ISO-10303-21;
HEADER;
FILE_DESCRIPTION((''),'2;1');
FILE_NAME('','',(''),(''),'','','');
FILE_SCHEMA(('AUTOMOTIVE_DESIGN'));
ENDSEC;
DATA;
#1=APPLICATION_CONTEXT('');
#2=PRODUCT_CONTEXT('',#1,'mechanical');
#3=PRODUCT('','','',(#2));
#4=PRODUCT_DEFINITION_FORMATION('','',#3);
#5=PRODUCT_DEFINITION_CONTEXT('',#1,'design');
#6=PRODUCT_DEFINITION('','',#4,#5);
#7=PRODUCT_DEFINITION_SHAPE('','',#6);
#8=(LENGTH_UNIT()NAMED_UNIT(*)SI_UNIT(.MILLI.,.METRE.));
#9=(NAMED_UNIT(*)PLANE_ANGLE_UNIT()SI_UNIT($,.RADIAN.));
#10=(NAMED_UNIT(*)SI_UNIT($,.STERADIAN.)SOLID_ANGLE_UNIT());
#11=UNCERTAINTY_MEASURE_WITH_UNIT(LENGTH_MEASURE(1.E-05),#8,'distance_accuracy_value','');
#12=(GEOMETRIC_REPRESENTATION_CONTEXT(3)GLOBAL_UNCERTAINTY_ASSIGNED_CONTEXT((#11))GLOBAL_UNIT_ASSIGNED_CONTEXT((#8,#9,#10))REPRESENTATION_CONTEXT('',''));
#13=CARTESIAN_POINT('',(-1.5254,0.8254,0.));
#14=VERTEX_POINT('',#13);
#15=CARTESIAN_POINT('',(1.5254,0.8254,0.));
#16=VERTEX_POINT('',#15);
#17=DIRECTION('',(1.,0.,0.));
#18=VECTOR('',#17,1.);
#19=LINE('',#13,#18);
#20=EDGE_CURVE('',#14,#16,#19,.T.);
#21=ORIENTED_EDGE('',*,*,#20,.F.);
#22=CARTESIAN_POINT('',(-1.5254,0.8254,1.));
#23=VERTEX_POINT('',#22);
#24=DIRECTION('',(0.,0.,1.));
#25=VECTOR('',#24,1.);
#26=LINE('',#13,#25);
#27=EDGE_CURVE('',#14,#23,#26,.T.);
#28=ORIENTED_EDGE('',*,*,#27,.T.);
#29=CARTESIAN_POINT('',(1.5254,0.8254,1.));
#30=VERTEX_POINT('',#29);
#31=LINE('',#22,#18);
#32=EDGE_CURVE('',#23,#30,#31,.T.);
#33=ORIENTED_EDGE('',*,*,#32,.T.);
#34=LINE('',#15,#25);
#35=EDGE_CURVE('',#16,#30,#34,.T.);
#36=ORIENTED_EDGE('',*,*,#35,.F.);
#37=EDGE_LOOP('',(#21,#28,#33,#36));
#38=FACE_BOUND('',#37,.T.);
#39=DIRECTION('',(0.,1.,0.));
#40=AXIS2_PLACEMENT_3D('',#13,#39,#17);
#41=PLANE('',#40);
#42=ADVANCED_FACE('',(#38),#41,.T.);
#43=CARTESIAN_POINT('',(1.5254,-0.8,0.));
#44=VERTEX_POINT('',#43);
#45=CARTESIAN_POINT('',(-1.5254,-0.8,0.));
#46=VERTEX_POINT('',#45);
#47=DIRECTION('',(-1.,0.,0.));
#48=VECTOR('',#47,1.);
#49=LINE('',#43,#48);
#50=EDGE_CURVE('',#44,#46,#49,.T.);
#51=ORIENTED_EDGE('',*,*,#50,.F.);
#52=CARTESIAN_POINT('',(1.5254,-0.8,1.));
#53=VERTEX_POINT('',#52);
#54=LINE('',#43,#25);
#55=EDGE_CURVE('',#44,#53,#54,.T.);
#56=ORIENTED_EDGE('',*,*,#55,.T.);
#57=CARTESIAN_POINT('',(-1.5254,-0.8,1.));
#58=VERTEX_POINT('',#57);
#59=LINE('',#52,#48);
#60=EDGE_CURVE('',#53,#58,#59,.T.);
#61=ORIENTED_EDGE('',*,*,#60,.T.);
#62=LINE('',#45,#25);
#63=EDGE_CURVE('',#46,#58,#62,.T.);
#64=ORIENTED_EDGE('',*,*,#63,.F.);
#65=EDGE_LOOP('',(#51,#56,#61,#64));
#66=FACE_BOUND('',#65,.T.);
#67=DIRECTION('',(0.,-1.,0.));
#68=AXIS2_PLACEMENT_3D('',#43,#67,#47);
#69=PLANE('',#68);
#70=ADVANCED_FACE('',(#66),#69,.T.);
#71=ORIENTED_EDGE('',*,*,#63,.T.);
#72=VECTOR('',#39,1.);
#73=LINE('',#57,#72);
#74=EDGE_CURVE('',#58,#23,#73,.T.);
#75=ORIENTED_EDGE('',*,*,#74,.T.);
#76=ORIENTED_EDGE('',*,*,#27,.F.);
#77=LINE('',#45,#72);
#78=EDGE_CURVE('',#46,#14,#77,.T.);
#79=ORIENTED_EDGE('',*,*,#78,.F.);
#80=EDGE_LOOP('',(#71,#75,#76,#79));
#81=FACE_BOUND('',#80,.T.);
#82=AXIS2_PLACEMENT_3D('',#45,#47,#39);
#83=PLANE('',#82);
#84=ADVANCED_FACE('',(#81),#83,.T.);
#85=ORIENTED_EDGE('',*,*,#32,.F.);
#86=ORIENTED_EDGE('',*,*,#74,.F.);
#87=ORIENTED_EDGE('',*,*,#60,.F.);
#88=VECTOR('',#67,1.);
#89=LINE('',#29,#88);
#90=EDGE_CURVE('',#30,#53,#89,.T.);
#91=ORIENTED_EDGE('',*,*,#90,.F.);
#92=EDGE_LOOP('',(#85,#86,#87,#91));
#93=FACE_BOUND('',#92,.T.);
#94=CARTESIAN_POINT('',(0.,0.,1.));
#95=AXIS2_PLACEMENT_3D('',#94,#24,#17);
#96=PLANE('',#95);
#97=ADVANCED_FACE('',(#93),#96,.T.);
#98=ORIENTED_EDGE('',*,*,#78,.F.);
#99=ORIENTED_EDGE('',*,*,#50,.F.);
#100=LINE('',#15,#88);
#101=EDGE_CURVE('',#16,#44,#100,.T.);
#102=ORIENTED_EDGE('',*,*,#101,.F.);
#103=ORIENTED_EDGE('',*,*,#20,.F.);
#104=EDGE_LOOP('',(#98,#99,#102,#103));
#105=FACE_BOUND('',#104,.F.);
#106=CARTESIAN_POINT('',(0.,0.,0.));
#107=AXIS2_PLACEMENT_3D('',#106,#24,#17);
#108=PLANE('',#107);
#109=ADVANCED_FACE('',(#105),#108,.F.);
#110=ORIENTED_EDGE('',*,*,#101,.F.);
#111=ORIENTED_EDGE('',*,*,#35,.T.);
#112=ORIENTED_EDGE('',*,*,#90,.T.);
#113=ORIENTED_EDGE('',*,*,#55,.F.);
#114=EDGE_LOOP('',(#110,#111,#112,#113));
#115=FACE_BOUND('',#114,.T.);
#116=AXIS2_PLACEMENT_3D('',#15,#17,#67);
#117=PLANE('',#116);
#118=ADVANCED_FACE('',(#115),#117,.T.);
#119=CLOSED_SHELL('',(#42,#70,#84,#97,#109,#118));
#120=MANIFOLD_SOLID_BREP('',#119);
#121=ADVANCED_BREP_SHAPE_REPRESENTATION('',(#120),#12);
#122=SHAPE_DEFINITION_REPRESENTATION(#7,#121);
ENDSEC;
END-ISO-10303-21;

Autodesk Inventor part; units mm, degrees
ref_plane "YZ Plane" through (0, 0, 0) normal (1, 0, 0) x (0, 1, 0)
ref_plane "XZ Plane" through (0, 0, 0) normal (0, 1, 0) x (-1, 0, 0)
ref_plane "XY Plane" through (0, 0, 0) normal (0, 0, 1) x (1, 0, 0)
sketch "0805, 0_33_F_16" plane through (0, 0, 0) normal (0, 0, 1) x (1, 0, 0)
  line L0 (-1.5254, 0.8254) -> (1.5254, 0.8254)
  line L1 (1.5254, 0.8254) -> (1.5254, -0.8)
  line L2 (1.5254, -0.8) -> (-1.5254, -0.8)
  line L3 (-1.5254, -0.8) -> (-1.5254, 0.8254)
extrude "Extrusion1" add sketch "0805, 0_33_F_16" along normal blind 1
properties part number "0_33_F"
